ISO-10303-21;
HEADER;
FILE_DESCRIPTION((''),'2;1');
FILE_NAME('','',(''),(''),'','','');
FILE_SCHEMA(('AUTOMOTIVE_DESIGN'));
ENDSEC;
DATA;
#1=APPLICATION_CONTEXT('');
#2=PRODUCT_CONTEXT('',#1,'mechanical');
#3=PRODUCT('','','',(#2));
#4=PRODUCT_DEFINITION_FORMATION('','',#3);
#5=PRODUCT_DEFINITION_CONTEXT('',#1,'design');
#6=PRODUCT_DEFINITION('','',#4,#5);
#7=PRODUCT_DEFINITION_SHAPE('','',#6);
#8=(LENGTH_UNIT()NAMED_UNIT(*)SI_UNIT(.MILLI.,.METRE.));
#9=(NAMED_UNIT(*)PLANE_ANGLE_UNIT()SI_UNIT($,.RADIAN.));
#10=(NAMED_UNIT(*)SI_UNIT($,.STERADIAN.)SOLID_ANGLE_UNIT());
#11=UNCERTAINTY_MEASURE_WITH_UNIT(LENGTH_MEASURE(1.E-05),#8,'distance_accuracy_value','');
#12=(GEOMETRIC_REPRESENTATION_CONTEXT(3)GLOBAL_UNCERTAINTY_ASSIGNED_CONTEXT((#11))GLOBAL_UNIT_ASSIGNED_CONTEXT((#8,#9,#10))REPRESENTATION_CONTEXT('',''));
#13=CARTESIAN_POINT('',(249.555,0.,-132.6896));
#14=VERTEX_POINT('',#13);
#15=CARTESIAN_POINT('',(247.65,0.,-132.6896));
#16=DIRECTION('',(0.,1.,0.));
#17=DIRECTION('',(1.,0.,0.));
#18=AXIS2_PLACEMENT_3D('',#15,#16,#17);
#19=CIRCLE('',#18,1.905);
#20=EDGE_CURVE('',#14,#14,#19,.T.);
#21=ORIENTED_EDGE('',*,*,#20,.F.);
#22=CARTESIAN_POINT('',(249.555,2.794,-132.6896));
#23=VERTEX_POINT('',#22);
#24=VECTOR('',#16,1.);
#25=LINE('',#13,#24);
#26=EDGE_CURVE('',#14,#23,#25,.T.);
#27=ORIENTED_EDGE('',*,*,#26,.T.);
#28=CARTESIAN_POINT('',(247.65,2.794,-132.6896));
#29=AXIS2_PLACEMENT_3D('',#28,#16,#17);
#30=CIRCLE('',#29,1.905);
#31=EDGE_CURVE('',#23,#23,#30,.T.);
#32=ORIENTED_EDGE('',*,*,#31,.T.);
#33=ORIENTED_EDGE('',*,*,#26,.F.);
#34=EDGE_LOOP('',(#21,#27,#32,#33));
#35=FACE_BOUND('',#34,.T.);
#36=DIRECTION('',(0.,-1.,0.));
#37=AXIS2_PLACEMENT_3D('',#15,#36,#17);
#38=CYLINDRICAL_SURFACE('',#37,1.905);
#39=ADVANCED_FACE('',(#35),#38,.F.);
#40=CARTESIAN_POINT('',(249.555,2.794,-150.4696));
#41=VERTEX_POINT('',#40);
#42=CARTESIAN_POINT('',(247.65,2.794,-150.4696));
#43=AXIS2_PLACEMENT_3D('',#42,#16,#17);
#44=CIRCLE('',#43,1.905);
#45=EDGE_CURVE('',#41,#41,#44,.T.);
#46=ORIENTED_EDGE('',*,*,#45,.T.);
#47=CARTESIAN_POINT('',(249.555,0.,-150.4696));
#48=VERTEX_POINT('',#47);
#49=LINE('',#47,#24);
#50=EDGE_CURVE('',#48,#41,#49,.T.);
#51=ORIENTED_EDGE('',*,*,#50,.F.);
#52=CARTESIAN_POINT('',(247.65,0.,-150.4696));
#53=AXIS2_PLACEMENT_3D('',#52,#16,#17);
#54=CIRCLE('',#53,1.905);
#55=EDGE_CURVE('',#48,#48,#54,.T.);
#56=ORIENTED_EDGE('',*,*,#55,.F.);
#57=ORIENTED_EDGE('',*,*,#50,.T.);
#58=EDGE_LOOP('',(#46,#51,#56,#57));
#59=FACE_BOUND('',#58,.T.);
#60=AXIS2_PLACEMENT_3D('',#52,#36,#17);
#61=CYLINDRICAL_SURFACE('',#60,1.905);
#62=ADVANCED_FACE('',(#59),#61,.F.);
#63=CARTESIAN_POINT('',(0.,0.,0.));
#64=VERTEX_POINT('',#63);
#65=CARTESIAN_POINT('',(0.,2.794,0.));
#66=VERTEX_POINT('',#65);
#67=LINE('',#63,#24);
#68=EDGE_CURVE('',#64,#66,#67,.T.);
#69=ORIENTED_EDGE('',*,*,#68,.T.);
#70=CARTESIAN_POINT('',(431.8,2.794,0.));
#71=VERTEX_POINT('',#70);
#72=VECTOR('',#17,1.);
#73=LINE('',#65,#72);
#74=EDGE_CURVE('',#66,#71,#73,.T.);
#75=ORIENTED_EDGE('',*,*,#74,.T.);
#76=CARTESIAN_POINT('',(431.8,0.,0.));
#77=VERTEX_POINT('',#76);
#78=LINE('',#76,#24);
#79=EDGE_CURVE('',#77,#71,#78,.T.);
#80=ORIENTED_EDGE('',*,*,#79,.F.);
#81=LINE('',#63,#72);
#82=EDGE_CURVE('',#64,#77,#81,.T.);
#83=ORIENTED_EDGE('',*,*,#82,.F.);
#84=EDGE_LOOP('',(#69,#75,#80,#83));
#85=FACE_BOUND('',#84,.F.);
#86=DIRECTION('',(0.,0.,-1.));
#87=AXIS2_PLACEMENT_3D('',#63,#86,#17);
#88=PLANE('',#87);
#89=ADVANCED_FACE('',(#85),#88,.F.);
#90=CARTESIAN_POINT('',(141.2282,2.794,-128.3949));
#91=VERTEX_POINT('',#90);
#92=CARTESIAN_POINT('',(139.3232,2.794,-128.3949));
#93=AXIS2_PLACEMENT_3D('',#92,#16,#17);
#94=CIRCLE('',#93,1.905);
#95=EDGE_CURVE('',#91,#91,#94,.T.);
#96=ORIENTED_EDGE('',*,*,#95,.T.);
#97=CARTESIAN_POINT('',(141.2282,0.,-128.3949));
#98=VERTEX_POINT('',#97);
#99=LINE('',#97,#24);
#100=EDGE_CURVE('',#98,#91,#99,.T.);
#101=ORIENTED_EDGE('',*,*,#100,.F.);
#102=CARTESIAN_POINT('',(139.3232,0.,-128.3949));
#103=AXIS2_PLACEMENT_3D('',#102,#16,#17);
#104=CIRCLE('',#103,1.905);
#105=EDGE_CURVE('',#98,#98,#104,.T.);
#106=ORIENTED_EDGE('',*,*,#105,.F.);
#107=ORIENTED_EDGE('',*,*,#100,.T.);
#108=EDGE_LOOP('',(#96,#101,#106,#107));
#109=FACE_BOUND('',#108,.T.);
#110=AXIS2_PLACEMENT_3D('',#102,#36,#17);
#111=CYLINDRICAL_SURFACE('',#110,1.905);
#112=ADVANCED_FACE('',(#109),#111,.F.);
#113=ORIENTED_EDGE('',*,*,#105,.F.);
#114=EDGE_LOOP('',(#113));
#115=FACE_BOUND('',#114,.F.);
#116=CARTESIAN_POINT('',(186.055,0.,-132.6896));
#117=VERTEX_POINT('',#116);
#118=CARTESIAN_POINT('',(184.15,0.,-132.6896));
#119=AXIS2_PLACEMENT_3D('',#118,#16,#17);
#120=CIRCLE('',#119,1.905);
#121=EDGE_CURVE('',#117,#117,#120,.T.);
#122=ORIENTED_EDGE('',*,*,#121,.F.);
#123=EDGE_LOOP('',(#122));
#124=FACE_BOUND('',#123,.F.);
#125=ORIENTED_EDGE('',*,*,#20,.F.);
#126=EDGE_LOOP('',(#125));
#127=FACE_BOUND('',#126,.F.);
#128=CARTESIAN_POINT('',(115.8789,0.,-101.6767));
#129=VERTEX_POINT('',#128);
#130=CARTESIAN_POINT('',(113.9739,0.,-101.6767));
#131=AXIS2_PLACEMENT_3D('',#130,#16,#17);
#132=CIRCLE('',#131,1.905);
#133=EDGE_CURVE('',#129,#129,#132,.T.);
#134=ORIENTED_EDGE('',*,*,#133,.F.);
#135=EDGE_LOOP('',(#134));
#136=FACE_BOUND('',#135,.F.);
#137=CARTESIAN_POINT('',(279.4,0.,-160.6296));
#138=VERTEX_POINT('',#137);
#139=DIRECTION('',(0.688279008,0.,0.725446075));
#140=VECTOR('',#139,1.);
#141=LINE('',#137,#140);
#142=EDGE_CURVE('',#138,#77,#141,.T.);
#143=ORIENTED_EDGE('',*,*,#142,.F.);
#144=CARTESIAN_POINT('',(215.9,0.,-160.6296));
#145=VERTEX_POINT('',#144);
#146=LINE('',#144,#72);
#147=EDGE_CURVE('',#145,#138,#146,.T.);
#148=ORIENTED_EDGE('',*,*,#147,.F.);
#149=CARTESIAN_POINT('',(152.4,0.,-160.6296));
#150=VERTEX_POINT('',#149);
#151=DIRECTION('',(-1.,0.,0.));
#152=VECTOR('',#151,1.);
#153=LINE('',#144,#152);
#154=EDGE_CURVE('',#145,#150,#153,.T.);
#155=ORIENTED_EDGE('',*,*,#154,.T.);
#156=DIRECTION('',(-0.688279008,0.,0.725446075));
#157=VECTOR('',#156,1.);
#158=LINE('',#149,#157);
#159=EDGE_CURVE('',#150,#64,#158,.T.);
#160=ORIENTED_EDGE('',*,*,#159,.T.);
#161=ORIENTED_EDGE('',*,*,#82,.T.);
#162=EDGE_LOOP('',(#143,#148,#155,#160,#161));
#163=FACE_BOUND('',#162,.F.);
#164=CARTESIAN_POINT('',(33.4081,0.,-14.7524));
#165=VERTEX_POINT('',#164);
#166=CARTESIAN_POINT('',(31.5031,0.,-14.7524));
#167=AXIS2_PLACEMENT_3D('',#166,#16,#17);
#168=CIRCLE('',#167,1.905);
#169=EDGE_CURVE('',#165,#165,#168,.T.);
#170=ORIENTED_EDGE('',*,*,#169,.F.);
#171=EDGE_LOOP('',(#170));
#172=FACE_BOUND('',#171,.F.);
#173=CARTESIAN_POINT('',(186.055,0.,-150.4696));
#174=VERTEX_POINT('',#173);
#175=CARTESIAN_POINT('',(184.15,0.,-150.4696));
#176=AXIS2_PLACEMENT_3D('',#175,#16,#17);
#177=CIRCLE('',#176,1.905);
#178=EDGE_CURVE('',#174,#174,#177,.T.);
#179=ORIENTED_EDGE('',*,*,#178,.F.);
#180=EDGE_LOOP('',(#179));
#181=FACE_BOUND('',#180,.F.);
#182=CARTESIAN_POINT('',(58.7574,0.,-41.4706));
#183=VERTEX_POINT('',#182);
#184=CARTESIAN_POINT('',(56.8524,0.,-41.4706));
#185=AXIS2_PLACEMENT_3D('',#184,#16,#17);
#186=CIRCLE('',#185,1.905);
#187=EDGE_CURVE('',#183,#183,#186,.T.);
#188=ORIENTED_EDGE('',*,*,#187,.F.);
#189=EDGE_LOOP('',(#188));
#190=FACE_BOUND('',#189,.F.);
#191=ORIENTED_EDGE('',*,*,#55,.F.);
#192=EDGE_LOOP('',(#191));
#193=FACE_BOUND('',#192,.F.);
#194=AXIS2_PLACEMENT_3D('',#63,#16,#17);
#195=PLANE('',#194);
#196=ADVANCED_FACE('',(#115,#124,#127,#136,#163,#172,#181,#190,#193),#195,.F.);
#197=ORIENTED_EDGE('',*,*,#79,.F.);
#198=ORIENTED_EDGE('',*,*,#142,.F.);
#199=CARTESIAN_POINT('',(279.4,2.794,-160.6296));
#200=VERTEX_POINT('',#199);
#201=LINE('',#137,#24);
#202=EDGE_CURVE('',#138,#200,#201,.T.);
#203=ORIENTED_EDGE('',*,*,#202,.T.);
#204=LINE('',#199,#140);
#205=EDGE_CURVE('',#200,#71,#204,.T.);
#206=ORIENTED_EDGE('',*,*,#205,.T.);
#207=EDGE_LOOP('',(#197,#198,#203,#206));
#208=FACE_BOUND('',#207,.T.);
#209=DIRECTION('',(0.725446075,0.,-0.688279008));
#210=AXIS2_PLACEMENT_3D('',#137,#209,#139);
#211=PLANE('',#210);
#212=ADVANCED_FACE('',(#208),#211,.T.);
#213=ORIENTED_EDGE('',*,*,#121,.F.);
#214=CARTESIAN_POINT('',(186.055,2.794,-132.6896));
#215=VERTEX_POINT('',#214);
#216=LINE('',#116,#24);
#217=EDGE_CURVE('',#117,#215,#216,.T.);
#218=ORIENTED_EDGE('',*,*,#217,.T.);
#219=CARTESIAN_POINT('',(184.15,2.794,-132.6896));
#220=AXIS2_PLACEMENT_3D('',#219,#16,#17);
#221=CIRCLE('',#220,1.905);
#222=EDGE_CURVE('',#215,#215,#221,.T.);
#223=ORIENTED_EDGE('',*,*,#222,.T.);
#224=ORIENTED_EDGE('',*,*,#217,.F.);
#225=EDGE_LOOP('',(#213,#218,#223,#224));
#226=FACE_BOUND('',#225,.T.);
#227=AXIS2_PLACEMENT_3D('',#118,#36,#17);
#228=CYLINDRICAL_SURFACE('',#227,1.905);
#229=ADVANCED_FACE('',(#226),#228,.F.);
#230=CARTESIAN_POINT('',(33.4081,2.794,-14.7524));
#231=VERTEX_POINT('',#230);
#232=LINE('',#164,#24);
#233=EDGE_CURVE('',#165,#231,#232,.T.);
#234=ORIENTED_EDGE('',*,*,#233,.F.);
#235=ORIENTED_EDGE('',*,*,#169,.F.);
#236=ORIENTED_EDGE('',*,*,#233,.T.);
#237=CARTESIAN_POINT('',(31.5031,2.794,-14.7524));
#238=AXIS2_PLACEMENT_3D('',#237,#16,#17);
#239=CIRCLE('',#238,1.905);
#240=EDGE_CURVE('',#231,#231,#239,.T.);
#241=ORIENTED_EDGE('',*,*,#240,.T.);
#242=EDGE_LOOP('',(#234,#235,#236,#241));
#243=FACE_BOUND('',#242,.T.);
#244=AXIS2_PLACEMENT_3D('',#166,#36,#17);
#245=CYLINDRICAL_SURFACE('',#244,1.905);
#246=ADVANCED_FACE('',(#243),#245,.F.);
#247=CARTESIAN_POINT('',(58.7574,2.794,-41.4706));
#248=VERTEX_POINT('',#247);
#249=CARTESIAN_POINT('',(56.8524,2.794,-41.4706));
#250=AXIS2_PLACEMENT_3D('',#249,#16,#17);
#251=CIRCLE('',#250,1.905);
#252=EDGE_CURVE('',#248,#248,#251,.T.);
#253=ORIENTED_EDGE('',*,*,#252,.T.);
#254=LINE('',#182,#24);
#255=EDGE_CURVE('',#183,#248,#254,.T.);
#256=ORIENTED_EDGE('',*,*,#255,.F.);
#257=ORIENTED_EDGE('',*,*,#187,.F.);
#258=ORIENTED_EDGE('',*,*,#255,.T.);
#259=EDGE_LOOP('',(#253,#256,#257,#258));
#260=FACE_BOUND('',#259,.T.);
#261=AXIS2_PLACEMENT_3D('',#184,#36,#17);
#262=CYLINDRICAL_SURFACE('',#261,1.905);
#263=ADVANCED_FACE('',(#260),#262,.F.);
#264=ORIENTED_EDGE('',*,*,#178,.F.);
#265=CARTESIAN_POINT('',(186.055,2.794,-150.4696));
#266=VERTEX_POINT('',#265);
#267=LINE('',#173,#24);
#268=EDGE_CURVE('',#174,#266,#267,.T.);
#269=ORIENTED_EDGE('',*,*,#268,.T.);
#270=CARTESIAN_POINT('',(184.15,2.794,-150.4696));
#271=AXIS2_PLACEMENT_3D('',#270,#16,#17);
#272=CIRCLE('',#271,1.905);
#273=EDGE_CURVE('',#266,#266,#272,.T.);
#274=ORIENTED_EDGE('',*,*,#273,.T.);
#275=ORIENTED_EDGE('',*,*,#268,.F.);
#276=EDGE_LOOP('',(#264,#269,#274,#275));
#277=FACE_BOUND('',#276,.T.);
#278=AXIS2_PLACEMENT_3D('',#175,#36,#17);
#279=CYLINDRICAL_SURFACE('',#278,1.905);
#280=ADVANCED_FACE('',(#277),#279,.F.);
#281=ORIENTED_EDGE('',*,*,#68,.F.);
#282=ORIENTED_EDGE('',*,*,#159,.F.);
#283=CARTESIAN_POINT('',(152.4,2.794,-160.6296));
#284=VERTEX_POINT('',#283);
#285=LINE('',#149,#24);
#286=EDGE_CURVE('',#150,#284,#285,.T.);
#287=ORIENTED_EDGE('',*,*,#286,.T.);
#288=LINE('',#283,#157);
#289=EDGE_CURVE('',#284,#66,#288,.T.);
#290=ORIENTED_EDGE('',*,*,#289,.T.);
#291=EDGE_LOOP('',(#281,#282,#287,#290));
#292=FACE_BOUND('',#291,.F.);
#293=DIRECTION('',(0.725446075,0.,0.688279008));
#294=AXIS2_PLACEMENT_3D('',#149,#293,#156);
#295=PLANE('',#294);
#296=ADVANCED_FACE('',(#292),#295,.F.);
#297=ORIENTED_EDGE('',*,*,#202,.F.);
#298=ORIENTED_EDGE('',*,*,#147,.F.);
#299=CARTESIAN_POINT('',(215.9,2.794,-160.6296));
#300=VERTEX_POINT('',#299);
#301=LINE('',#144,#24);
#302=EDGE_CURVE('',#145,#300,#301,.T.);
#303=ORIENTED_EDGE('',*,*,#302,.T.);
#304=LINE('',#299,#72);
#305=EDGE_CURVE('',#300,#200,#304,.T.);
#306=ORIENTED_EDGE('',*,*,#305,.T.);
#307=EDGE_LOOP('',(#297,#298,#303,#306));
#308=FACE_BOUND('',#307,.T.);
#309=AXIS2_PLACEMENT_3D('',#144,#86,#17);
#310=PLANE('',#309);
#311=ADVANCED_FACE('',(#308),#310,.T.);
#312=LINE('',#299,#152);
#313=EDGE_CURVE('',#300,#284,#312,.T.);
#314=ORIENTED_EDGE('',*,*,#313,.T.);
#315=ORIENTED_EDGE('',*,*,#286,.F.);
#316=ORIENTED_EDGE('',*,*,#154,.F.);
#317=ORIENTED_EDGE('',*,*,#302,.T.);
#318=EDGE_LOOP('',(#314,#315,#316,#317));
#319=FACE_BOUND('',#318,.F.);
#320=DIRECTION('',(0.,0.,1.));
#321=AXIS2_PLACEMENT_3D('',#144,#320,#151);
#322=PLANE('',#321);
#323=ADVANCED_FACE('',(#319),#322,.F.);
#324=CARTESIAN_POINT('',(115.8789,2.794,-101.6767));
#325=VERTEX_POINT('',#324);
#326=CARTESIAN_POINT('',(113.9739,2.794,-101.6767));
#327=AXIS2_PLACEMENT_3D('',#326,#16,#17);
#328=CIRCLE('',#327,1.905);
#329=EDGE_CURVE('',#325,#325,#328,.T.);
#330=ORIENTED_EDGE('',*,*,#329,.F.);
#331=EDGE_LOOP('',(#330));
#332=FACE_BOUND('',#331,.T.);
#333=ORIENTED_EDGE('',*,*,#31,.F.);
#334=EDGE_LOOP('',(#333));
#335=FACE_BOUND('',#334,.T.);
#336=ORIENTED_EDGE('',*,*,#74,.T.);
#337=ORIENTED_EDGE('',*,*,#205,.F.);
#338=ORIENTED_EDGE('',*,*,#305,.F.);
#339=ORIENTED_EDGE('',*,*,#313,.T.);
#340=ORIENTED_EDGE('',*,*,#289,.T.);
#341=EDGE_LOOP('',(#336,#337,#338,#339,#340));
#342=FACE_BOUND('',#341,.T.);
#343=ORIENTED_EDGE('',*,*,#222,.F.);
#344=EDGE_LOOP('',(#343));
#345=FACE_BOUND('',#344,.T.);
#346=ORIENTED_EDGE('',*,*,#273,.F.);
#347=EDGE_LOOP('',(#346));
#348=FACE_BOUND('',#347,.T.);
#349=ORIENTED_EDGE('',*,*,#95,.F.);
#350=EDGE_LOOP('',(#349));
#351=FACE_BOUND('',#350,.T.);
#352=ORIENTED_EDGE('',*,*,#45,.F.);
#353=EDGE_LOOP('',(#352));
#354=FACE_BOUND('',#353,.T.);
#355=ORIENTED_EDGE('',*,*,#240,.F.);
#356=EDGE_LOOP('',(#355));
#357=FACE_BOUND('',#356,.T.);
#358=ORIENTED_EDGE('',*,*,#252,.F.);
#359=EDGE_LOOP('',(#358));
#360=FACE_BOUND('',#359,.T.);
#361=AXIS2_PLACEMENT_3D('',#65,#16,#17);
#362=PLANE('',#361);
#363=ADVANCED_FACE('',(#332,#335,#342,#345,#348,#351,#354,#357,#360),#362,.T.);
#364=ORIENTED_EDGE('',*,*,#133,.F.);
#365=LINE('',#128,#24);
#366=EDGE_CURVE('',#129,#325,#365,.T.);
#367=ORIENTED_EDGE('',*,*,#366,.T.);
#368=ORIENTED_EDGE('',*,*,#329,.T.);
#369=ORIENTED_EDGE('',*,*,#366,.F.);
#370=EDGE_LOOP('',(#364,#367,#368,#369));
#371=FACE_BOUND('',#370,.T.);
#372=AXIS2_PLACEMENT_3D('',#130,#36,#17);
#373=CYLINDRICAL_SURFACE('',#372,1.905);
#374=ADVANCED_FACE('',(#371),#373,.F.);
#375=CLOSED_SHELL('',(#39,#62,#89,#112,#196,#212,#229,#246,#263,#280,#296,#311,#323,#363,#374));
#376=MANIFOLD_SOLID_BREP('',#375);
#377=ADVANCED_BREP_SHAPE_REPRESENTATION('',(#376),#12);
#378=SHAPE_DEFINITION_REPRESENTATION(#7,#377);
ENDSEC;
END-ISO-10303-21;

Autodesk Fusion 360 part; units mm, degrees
sketch "Sketch1" plane through (0, 0, 0) normal (0, 1, 0) x (1, 0, 0)
  line L0 (0, 0) -> (431.8, 0)
  line L1 (215.9, 160.6296) -> (152.4, 160.6296)
  line L2 (215.9, 160.6296) -> (279.4, 160.6296)
  line L3 (279.4, 160.6296) -> (431.8, 0)
  line L4 (152.4, 160.6296) -> (0, 0)
  circle A0 centre (247.65, 132.6896) radius 1.905
  circle A1 centre (113.9739, 101.6767) radius 1.905
  circle A2 centre (31.5031, 14.7524) radius 1.905
  circle A3 centre (139.3232, 128.3949) radius 1.905
  circle A4 centre (184.15, 150.4696) radius 1.905
  circle A5 centre (56.8524, 41.4706) radius 1.905
  circle A6 centre (247.65, 150.4696) radius 1.905
  circle A7 centre (184.15, 132.6896) radius 1.905
  dimension "d1" = 431.8
  dimension "d3" = 63.5
  dimension "d4" = 63.5
extrude "Extrude5" add sketch "Sketch1" along normal blind 2.794
